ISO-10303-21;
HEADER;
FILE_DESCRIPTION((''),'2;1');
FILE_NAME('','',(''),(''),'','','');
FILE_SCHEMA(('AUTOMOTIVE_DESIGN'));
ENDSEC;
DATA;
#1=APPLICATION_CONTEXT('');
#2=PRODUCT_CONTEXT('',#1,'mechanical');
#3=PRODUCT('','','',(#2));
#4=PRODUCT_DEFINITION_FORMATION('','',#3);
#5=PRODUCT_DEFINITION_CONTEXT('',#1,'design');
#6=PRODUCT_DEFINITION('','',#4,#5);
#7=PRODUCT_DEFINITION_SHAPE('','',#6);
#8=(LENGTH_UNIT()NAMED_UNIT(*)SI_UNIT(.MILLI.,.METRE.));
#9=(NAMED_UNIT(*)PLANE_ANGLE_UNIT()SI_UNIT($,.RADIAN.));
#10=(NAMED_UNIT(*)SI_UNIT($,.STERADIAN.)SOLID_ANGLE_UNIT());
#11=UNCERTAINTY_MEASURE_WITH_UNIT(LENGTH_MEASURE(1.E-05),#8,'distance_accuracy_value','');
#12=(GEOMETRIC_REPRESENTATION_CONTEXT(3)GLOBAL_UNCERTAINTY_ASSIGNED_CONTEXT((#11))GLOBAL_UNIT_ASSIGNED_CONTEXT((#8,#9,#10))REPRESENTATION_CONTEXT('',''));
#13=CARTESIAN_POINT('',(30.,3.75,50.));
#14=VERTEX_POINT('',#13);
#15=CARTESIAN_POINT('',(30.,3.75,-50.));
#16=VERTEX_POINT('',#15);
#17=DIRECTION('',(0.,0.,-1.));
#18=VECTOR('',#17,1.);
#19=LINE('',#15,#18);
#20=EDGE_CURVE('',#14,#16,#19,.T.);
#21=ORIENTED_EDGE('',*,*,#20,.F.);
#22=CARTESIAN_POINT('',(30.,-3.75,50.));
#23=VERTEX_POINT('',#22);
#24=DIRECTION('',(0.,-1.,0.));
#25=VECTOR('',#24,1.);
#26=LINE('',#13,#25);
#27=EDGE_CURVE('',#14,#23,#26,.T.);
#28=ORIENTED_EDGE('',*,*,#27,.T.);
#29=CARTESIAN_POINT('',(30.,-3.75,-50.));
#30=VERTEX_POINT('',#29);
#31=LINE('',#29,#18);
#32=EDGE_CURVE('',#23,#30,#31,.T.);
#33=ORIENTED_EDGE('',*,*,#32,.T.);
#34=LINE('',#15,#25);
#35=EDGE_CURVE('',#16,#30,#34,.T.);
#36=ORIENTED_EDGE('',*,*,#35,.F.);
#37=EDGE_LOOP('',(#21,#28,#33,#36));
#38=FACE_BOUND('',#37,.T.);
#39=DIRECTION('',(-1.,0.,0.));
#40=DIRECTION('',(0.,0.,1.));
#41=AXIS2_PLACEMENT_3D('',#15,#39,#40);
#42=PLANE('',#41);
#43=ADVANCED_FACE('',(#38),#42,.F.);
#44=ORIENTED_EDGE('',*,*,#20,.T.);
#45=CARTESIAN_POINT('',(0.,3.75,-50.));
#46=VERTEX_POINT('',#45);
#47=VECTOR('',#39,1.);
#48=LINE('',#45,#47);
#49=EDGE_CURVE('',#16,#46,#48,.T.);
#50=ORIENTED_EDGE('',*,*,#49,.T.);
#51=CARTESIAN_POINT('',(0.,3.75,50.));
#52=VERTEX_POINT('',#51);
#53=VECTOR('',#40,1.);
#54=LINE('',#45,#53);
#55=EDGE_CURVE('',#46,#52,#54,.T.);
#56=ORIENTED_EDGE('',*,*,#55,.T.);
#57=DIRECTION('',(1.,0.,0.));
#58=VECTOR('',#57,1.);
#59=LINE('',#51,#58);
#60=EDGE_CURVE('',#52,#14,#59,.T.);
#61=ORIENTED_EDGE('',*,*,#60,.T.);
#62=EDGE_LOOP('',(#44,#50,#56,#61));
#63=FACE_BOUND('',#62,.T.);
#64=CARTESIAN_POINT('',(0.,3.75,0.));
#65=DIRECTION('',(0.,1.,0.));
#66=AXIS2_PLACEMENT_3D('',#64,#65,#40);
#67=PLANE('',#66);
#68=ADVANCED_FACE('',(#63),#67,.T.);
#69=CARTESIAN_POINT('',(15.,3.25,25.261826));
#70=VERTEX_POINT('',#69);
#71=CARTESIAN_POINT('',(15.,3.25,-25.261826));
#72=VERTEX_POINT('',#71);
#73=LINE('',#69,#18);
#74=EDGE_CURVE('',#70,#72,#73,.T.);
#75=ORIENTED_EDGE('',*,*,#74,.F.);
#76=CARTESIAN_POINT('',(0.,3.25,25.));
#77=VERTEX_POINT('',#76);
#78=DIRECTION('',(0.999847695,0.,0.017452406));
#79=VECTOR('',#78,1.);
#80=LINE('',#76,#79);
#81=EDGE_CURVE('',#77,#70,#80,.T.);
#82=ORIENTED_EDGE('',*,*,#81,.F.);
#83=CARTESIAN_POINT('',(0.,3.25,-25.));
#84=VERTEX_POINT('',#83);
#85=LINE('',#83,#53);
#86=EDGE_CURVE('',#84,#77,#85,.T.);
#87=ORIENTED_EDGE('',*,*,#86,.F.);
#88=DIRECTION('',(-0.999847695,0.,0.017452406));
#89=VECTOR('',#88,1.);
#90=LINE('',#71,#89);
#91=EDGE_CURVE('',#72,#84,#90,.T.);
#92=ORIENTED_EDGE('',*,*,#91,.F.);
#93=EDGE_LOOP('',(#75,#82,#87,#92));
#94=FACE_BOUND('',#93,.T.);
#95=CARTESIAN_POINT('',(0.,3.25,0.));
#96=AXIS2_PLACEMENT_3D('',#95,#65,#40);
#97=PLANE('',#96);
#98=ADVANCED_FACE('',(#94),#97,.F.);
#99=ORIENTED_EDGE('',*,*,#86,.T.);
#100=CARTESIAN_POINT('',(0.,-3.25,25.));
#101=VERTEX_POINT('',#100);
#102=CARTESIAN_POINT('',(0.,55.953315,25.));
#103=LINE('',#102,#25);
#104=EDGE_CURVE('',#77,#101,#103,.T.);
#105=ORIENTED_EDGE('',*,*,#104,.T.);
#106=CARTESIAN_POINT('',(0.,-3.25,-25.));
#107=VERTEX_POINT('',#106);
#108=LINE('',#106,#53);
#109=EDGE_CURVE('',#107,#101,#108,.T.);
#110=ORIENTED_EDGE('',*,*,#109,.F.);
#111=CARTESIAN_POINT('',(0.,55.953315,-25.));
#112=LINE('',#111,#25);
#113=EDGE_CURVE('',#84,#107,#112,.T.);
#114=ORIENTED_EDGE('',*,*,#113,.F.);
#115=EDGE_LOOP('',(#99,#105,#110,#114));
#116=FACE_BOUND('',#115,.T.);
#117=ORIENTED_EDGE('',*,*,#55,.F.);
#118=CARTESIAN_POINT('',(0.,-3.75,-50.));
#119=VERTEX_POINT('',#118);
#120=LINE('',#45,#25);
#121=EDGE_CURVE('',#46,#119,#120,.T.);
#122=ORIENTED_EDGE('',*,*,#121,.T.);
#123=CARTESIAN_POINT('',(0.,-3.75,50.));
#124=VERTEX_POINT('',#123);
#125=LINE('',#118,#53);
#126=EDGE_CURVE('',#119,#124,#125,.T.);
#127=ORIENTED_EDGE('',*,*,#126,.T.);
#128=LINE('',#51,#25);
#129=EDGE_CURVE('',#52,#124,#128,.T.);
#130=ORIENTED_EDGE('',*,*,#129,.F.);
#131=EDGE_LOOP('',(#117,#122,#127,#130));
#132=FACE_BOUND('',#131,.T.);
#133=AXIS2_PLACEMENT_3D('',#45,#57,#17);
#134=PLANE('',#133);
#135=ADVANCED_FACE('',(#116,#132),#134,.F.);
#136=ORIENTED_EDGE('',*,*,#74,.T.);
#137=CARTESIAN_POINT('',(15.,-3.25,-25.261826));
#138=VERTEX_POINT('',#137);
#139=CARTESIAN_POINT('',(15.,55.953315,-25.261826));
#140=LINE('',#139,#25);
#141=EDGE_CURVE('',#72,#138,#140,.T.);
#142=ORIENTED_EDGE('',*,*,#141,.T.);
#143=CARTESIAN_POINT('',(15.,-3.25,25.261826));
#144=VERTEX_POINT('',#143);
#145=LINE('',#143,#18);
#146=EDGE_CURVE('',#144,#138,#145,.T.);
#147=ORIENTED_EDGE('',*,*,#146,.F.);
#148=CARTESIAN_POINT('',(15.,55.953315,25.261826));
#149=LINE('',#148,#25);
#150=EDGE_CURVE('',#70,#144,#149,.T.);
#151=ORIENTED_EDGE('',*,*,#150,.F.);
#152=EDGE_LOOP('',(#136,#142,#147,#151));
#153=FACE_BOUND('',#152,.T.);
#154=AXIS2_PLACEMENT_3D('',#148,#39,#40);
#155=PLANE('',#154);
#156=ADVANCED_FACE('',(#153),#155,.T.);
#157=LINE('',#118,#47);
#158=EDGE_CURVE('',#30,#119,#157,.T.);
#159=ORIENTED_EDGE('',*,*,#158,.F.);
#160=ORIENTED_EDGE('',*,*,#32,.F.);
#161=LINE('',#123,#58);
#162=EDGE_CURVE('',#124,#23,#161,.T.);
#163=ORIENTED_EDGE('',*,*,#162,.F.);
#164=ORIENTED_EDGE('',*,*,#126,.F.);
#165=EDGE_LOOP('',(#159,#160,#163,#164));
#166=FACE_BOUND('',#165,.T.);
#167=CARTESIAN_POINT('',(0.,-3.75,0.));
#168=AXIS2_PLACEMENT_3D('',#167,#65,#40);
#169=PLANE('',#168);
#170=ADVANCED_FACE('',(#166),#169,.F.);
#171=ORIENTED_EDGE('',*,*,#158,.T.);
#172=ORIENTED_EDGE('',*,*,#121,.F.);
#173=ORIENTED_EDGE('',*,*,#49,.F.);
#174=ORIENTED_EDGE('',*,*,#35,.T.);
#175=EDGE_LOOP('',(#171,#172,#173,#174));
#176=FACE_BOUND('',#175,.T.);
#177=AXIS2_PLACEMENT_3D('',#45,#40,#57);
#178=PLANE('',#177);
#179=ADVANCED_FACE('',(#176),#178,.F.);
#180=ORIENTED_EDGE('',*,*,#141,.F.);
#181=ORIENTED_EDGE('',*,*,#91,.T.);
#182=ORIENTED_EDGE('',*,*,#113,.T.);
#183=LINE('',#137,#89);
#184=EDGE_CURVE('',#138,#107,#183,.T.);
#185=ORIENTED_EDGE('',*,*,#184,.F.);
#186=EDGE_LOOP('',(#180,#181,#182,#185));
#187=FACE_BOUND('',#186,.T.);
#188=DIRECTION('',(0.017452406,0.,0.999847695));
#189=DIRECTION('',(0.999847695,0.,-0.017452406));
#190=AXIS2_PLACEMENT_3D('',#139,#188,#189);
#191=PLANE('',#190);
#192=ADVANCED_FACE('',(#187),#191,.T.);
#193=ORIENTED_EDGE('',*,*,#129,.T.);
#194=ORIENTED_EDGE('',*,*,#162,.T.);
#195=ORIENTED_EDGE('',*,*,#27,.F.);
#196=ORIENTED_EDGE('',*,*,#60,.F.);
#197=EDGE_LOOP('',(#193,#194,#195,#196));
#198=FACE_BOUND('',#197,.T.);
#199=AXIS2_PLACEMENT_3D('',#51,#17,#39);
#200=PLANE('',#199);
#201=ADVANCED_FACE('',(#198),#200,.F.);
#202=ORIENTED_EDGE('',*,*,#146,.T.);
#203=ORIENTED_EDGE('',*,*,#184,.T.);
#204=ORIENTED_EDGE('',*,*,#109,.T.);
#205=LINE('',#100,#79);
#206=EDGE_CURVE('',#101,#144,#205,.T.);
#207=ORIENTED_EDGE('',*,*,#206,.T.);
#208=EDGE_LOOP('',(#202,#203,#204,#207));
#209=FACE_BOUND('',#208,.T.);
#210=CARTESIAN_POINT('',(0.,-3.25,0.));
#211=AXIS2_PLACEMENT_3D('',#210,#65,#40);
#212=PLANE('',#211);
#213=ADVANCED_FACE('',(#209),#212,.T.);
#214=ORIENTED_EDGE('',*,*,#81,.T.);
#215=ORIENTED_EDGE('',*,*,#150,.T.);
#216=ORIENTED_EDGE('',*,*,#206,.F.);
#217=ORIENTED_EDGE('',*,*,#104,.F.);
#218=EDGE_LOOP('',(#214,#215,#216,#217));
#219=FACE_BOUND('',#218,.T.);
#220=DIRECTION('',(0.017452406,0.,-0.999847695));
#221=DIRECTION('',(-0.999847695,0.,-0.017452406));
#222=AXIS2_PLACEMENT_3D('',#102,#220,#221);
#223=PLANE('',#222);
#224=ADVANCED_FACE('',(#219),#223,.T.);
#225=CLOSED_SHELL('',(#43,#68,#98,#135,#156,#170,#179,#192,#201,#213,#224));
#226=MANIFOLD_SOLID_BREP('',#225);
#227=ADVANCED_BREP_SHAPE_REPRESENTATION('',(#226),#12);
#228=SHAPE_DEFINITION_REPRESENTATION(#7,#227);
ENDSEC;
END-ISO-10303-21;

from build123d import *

# Parameters (mm, degrees)
SKETCH1_W           = 30
SKETCH1_H           = 100
BOSS_EXTRUDE1_DEPTH = 3.75
CUT_EXTRUDE1_DEPTH  = 6.5


with BuildPart() as part:
    # Sketch1 → Boss-Extrude1 (new, symmetric)
    with BuildSketch(Plane(origin=(0, 0, 0), x_dir=(1, 0, 0), z_dir=(0, 1, 0))):
        with Locations((15, 0)):
            Rectangle(SKETCH1_W, SKETCH1_H)
    extrude(amount=BOSS_EXTRUDE1_DEPTH, both=True)

    # Sketch2 → Cut-Extrude1 (cut)
    with BuildSketch(Plane(origin=(0, -3.25, 0), x_dir=(1, 0, 0), z_dir=(0, 1, 0))):
        Polygon((0, 25), (0, -25), (15, -25.261825974), (15, 25.261825974), align=None)
    extrude(amount=CUT_EXTRUDE1_DEPTH, mode=Mode.SUBTRACT)


solid = part.part
